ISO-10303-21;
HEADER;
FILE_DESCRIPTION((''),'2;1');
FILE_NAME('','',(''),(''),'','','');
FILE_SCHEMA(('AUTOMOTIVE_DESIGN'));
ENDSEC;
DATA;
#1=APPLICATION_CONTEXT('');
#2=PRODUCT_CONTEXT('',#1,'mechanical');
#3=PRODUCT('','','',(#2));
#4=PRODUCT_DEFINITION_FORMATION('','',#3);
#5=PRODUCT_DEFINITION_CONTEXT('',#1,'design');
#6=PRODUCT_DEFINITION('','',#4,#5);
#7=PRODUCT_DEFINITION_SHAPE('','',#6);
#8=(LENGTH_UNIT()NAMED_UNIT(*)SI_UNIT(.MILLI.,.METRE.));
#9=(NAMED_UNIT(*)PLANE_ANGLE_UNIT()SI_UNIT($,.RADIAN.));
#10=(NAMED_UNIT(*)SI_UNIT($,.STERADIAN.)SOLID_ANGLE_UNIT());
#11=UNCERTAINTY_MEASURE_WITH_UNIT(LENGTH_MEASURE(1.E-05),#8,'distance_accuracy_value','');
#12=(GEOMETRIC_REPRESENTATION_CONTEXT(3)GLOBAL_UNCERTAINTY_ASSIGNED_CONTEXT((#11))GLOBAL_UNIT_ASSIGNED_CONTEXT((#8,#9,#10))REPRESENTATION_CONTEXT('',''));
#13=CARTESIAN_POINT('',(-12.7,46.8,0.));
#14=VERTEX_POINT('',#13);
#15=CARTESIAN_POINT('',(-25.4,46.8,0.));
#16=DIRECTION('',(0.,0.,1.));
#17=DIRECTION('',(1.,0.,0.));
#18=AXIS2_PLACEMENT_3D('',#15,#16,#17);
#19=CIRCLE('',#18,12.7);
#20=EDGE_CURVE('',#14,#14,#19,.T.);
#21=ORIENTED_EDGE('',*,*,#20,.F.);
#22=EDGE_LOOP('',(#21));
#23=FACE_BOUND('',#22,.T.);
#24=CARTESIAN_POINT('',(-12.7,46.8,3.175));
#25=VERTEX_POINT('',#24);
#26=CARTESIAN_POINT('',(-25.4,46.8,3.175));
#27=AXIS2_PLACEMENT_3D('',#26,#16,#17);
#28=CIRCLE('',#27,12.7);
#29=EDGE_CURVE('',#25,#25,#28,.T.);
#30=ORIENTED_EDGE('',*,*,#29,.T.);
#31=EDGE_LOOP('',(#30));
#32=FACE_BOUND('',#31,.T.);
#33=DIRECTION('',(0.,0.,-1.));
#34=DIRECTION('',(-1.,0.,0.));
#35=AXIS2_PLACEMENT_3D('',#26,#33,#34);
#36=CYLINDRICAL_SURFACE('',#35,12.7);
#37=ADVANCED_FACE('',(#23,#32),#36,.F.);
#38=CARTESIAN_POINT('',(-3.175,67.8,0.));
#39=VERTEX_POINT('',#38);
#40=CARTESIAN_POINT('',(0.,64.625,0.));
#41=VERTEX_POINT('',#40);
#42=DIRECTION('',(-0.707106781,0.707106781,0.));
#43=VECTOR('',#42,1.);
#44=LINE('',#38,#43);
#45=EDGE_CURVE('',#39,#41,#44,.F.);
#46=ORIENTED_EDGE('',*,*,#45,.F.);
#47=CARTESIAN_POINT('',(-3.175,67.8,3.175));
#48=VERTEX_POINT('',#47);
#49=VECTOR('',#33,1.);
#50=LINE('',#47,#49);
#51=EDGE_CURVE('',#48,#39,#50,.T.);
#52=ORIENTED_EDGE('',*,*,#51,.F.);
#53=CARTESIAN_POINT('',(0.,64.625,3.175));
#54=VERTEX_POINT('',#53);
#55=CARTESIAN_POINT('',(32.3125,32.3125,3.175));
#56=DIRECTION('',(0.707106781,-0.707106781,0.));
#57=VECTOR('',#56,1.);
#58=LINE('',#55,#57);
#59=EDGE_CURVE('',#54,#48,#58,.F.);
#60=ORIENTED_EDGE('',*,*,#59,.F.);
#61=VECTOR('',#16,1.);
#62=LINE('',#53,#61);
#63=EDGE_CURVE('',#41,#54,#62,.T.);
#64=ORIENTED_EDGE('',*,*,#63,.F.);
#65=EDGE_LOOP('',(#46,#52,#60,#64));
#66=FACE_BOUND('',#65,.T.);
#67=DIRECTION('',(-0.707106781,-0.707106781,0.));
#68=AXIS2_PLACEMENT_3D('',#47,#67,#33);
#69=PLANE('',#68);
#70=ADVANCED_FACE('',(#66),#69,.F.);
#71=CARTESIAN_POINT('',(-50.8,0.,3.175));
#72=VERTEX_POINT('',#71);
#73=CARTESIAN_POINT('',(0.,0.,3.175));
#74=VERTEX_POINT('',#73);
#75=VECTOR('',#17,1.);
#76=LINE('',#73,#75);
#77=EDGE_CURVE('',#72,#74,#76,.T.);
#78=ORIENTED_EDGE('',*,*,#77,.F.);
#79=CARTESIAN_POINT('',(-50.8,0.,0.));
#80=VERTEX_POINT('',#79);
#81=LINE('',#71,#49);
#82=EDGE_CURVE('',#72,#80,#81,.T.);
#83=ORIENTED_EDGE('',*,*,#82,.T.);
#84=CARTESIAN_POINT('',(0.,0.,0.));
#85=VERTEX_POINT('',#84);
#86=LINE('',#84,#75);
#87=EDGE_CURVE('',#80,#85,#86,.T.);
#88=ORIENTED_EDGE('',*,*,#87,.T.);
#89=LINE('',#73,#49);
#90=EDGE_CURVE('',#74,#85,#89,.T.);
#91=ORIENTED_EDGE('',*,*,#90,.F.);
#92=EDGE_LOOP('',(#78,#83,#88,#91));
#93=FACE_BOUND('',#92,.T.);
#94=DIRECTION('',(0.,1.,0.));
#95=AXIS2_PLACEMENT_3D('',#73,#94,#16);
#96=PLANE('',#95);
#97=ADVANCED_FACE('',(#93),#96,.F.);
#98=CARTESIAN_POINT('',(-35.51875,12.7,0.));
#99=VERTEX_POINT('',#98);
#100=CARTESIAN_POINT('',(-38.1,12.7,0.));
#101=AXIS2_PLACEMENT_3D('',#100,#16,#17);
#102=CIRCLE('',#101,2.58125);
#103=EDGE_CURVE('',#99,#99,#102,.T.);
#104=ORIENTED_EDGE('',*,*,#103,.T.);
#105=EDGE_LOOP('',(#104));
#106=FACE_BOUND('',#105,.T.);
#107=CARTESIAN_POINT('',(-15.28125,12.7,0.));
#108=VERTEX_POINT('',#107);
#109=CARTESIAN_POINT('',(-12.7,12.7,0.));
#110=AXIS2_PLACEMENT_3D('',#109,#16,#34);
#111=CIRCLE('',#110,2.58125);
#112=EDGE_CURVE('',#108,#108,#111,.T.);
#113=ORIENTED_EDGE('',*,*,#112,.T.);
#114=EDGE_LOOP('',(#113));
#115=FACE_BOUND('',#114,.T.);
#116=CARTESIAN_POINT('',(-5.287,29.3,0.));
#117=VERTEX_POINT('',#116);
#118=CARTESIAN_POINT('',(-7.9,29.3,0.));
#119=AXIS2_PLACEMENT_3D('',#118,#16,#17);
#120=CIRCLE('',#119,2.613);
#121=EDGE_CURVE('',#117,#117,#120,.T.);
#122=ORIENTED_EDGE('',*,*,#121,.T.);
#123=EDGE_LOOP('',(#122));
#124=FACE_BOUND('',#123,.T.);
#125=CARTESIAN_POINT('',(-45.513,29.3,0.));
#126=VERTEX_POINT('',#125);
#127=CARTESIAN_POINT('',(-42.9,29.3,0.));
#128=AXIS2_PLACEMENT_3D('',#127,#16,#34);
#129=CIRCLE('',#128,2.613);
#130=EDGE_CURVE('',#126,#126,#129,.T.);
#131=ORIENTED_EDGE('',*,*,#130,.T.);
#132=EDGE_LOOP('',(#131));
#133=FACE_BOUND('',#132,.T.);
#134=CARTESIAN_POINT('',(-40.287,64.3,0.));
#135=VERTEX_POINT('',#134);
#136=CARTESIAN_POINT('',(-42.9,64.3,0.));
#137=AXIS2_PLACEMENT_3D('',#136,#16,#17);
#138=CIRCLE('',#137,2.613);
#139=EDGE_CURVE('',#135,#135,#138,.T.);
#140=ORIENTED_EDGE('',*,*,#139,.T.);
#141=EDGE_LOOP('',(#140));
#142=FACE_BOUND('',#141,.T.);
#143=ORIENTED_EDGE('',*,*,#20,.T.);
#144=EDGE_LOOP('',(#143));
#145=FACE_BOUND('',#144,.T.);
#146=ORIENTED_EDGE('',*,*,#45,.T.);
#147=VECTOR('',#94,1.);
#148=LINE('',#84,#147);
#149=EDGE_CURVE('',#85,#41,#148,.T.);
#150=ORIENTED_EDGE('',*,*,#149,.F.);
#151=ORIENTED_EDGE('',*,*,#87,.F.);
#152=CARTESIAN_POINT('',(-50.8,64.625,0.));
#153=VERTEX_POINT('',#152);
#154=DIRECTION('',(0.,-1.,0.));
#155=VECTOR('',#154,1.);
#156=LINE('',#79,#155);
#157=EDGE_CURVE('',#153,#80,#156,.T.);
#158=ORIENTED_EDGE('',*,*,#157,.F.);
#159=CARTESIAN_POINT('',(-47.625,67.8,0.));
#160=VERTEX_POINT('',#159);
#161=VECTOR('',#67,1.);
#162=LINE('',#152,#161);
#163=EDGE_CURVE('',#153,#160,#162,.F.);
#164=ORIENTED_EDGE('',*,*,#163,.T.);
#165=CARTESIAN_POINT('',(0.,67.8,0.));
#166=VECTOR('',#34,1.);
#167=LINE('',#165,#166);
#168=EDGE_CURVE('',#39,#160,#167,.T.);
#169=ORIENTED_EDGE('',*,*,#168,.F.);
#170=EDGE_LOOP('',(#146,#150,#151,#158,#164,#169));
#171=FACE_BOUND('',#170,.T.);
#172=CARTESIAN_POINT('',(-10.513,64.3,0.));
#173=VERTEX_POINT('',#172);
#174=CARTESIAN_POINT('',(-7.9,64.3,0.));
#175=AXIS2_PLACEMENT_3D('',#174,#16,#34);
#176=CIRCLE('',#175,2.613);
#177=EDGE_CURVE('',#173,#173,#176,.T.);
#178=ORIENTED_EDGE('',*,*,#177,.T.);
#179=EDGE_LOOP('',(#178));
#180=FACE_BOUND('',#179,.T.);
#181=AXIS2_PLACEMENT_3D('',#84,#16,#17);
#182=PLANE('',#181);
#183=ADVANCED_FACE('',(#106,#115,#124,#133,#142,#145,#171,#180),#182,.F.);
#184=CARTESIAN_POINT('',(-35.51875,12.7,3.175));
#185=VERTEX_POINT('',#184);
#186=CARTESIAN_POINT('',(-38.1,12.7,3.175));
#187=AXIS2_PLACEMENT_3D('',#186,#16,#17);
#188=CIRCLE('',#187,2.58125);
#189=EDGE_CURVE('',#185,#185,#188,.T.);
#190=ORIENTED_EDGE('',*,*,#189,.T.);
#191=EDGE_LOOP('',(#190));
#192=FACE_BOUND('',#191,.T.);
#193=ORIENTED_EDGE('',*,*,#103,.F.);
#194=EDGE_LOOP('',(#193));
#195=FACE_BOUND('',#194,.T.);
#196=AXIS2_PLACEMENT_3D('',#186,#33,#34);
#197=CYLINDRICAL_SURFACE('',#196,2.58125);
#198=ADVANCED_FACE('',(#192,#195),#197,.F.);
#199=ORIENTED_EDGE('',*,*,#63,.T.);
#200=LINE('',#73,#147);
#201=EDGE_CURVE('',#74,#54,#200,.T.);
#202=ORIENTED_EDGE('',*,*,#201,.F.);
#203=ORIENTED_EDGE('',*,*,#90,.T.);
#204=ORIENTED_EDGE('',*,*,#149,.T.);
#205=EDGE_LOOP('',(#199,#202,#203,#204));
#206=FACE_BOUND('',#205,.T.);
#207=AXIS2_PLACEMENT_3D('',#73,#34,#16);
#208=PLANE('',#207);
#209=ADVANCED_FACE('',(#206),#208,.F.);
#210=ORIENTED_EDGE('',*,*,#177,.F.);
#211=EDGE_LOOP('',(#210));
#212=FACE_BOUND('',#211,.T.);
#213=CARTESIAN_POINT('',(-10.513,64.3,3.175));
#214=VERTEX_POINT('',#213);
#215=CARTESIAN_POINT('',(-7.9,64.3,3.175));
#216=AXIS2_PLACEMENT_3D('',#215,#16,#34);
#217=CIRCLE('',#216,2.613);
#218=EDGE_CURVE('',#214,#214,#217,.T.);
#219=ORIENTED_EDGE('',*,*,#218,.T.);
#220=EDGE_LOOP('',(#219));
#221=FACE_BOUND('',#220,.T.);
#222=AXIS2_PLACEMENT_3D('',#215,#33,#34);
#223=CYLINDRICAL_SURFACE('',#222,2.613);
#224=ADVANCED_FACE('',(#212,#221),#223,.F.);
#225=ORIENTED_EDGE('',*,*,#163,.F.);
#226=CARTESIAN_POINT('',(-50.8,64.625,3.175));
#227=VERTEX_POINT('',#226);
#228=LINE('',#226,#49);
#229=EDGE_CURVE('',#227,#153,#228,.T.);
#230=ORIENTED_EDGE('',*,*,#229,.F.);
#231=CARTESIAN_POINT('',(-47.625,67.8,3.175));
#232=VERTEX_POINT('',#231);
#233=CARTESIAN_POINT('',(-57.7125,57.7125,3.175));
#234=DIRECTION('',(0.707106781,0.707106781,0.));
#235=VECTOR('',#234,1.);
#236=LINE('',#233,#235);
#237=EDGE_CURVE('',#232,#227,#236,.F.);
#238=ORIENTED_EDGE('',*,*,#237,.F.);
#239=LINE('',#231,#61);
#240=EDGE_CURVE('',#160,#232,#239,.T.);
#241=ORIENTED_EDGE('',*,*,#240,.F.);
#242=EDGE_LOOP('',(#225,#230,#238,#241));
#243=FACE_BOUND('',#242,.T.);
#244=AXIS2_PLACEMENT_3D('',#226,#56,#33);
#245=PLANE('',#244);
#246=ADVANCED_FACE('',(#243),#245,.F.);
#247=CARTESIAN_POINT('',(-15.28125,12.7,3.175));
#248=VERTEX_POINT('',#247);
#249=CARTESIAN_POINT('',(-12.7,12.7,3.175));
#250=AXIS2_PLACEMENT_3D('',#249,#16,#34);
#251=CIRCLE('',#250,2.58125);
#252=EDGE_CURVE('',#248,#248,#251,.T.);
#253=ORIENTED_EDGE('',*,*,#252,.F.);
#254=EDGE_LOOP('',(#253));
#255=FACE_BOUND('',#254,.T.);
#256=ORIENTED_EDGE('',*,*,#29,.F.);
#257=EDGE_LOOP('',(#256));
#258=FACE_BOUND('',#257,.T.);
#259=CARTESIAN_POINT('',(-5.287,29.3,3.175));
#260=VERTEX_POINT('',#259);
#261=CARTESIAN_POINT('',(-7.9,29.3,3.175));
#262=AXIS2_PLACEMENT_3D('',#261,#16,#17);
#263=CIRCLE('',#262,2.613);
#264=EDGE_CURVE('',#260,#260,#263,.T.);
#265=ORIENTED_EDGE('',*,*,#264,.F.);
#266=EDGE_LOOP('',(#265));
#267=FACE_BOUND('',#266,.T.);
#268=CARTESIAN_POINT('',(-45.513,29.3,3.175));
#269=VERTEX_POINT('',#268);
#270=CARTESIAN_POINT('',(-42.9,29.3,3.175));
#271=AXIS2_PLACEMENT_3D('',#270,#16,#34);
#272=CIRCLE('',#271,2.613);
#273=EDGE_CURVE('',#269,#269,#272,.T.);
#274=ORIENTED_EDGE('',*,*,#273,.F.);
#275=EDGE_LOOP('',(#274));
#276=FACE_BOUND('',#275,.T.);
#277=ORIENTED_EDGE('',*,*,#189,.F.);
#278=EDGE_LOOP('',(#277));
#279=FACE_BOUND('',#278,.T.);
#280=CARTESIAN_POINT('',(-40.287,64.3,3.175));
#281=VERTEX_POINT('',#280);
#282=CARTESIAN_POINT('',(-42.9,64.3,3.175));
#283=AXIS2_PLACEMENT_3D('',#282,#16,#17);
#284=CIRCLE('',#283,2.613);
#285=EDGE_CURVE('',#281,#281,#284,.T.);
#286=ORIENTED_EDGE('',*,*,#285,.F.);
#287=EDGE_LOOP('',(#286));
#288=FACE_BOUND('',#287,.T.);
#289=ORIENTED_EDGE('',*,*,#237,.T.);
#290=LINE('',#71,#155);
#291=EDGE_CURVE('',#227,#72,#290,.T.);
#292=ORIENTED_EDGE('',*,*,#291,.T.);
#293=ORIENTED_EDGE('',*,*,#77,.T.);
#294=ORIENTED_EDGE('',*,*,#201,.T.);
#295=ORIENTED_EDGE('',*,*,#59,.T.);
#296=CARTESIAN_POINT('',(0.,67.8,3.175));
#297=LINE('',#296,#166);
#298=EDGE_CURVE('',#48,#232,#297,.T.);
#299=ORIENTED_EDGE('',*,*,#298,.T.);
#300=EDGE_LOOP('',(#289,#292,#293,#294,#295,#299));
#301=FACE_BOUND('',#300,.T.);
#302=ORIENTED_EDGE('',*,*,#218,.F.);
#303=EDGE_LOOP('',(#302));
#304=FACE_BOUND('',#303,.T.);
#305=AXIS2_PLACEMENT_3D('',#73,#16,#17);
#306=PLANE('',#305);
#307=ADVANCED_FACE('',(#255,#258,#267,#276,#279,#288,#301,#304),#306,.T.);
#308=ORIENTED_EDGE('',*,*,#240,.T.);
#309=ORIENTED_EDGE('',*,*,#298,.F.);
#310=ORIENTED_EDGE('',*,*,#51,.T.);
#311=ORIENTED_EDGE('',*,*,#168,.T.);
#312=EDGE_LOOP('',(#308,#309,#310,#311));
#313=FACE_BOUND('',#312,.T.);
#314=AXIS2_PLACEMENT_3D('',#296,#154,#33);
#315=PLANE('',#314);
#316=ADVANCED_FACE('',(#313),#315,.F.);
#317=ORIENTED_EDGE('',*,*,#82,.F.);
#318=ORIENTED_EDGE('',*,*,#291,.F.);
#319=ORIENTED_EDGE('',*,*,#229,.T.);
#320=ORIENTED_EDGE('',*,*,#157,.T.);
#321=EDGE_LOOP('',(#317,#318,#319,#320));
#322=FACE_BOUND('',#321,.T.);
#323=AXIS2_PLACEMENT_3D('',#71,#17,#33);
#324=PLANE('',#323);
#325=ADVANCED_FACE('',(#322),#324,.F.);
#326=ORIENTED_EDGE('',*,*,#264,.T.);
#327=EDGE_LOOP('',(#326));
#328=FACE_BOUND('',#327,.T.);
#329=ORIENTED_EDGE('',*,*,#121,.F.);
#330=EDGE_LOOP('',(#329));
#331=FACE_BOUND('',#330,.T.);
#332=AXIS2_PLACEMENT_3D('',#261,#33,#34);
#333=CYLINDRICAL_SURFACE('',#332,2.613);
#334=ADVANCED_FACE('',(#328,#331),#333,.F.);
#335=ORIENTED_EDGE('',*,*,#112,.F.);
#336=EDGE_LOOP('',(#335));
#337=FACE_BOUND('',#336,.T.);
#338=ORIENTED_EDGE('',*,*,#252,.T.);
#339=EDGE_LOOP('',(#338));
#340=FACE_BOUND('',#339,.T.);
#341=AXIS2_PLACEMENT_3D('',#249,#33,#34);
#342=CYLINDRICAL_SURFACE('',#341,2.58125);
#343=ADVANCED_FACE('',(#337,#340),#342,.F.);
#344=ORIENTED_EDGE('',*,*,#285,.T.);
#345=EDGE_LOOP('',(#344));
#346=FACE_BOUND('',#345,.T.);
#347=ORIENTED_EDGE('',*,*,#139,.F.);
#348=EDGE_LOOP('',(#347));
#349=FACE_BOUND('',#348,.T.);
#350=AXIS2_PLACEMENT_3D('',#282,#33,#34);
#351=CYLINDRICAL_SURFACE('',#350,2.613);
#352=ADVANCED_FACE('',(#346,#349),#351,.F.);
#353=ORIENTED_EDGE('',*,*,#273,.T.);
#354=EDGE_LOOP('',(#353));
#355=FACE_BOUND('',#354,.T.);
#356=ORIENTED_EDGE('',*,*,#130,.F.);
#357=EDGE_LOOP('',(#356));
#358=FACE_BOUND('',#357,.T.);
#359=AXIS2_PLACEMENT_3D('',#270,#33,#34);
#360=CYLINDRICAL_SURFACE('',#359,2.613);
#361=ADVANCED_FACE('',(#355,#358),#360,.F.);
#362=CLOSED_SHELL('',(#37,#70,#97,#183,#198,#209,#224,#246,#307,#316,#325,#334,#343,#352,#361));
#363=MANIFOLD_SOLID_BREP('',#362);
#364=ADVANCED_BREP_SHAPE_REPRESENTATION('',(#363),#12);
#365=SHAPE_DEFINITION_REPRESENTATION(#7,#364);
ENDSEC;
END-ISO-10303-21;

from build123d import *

# Parameters (mm, degrees)
SKETCH1_W           = 50.8
SKETCH1_H           = 67.8
SKETCH1_R           = 2.58125
SKETCH1_R_2         = 12.7
SKETCH1_R_3         = 2.613
BOSS_EXTRUDE1_DEPTH = 3.175
CHAMFER1_SIZE       = 3.175


with BuildPart() as part:
    # Sketch1 → Boss-Extrude1 (new body)
    with BuildSketch(Plane.XY):
        with Locations((-25.4, 33.9)):
            Rectangle(SKETCH1_W, SKETCH1_H)
        with Locations((-38.1, 12.7)):
            Circle(SKETCH1_R, mode=Mode.SUBTRACT)
        with Locations(Location((-12.7, 12.7, 0), (0, 0, 180))):
            Circle(SKETCH1_R, mode=Mode.SUBTRACT)
        with Locations((-25.4, 46.8)):
            Circle(SKETCH1_R_2, mode=Mode.SUBTRACT)
        with Locations((-42.9, 64.3)):
            Circle(SKETCH1_R_3, mode=Mode.SUBTRACT)
        with Locations(Location((-7.9, 64.3, 0), (0, 0, 180))):
            Circle(SKETCH1_R_3, mode=Mode.SUBTRACT)
        with Locations((-7.9, 29.3)):
            Circle(SKETCH1_R_3, mode=Mode.SUBTRACT)
        with Locations(Location((-42.9, 29.3, 0), (0, 0, 180))):
            Circle(SKETCH1_R_3, mode=Mode.SUBTRACT)
    extrude(amount=BOSS_EXTRUDE1_DEPTH)

    # Chamfer1
    chamfer1_edges = [part.edges().sort_by_distance(p)[0] for p in [
        (-50.8, 67.8, 1.5875),
        (0, 67.8, 1.5875),
    ]]
    chamfer(chamfer1_edges, length=CHAMFER1_SIZE)


solid = part.part
